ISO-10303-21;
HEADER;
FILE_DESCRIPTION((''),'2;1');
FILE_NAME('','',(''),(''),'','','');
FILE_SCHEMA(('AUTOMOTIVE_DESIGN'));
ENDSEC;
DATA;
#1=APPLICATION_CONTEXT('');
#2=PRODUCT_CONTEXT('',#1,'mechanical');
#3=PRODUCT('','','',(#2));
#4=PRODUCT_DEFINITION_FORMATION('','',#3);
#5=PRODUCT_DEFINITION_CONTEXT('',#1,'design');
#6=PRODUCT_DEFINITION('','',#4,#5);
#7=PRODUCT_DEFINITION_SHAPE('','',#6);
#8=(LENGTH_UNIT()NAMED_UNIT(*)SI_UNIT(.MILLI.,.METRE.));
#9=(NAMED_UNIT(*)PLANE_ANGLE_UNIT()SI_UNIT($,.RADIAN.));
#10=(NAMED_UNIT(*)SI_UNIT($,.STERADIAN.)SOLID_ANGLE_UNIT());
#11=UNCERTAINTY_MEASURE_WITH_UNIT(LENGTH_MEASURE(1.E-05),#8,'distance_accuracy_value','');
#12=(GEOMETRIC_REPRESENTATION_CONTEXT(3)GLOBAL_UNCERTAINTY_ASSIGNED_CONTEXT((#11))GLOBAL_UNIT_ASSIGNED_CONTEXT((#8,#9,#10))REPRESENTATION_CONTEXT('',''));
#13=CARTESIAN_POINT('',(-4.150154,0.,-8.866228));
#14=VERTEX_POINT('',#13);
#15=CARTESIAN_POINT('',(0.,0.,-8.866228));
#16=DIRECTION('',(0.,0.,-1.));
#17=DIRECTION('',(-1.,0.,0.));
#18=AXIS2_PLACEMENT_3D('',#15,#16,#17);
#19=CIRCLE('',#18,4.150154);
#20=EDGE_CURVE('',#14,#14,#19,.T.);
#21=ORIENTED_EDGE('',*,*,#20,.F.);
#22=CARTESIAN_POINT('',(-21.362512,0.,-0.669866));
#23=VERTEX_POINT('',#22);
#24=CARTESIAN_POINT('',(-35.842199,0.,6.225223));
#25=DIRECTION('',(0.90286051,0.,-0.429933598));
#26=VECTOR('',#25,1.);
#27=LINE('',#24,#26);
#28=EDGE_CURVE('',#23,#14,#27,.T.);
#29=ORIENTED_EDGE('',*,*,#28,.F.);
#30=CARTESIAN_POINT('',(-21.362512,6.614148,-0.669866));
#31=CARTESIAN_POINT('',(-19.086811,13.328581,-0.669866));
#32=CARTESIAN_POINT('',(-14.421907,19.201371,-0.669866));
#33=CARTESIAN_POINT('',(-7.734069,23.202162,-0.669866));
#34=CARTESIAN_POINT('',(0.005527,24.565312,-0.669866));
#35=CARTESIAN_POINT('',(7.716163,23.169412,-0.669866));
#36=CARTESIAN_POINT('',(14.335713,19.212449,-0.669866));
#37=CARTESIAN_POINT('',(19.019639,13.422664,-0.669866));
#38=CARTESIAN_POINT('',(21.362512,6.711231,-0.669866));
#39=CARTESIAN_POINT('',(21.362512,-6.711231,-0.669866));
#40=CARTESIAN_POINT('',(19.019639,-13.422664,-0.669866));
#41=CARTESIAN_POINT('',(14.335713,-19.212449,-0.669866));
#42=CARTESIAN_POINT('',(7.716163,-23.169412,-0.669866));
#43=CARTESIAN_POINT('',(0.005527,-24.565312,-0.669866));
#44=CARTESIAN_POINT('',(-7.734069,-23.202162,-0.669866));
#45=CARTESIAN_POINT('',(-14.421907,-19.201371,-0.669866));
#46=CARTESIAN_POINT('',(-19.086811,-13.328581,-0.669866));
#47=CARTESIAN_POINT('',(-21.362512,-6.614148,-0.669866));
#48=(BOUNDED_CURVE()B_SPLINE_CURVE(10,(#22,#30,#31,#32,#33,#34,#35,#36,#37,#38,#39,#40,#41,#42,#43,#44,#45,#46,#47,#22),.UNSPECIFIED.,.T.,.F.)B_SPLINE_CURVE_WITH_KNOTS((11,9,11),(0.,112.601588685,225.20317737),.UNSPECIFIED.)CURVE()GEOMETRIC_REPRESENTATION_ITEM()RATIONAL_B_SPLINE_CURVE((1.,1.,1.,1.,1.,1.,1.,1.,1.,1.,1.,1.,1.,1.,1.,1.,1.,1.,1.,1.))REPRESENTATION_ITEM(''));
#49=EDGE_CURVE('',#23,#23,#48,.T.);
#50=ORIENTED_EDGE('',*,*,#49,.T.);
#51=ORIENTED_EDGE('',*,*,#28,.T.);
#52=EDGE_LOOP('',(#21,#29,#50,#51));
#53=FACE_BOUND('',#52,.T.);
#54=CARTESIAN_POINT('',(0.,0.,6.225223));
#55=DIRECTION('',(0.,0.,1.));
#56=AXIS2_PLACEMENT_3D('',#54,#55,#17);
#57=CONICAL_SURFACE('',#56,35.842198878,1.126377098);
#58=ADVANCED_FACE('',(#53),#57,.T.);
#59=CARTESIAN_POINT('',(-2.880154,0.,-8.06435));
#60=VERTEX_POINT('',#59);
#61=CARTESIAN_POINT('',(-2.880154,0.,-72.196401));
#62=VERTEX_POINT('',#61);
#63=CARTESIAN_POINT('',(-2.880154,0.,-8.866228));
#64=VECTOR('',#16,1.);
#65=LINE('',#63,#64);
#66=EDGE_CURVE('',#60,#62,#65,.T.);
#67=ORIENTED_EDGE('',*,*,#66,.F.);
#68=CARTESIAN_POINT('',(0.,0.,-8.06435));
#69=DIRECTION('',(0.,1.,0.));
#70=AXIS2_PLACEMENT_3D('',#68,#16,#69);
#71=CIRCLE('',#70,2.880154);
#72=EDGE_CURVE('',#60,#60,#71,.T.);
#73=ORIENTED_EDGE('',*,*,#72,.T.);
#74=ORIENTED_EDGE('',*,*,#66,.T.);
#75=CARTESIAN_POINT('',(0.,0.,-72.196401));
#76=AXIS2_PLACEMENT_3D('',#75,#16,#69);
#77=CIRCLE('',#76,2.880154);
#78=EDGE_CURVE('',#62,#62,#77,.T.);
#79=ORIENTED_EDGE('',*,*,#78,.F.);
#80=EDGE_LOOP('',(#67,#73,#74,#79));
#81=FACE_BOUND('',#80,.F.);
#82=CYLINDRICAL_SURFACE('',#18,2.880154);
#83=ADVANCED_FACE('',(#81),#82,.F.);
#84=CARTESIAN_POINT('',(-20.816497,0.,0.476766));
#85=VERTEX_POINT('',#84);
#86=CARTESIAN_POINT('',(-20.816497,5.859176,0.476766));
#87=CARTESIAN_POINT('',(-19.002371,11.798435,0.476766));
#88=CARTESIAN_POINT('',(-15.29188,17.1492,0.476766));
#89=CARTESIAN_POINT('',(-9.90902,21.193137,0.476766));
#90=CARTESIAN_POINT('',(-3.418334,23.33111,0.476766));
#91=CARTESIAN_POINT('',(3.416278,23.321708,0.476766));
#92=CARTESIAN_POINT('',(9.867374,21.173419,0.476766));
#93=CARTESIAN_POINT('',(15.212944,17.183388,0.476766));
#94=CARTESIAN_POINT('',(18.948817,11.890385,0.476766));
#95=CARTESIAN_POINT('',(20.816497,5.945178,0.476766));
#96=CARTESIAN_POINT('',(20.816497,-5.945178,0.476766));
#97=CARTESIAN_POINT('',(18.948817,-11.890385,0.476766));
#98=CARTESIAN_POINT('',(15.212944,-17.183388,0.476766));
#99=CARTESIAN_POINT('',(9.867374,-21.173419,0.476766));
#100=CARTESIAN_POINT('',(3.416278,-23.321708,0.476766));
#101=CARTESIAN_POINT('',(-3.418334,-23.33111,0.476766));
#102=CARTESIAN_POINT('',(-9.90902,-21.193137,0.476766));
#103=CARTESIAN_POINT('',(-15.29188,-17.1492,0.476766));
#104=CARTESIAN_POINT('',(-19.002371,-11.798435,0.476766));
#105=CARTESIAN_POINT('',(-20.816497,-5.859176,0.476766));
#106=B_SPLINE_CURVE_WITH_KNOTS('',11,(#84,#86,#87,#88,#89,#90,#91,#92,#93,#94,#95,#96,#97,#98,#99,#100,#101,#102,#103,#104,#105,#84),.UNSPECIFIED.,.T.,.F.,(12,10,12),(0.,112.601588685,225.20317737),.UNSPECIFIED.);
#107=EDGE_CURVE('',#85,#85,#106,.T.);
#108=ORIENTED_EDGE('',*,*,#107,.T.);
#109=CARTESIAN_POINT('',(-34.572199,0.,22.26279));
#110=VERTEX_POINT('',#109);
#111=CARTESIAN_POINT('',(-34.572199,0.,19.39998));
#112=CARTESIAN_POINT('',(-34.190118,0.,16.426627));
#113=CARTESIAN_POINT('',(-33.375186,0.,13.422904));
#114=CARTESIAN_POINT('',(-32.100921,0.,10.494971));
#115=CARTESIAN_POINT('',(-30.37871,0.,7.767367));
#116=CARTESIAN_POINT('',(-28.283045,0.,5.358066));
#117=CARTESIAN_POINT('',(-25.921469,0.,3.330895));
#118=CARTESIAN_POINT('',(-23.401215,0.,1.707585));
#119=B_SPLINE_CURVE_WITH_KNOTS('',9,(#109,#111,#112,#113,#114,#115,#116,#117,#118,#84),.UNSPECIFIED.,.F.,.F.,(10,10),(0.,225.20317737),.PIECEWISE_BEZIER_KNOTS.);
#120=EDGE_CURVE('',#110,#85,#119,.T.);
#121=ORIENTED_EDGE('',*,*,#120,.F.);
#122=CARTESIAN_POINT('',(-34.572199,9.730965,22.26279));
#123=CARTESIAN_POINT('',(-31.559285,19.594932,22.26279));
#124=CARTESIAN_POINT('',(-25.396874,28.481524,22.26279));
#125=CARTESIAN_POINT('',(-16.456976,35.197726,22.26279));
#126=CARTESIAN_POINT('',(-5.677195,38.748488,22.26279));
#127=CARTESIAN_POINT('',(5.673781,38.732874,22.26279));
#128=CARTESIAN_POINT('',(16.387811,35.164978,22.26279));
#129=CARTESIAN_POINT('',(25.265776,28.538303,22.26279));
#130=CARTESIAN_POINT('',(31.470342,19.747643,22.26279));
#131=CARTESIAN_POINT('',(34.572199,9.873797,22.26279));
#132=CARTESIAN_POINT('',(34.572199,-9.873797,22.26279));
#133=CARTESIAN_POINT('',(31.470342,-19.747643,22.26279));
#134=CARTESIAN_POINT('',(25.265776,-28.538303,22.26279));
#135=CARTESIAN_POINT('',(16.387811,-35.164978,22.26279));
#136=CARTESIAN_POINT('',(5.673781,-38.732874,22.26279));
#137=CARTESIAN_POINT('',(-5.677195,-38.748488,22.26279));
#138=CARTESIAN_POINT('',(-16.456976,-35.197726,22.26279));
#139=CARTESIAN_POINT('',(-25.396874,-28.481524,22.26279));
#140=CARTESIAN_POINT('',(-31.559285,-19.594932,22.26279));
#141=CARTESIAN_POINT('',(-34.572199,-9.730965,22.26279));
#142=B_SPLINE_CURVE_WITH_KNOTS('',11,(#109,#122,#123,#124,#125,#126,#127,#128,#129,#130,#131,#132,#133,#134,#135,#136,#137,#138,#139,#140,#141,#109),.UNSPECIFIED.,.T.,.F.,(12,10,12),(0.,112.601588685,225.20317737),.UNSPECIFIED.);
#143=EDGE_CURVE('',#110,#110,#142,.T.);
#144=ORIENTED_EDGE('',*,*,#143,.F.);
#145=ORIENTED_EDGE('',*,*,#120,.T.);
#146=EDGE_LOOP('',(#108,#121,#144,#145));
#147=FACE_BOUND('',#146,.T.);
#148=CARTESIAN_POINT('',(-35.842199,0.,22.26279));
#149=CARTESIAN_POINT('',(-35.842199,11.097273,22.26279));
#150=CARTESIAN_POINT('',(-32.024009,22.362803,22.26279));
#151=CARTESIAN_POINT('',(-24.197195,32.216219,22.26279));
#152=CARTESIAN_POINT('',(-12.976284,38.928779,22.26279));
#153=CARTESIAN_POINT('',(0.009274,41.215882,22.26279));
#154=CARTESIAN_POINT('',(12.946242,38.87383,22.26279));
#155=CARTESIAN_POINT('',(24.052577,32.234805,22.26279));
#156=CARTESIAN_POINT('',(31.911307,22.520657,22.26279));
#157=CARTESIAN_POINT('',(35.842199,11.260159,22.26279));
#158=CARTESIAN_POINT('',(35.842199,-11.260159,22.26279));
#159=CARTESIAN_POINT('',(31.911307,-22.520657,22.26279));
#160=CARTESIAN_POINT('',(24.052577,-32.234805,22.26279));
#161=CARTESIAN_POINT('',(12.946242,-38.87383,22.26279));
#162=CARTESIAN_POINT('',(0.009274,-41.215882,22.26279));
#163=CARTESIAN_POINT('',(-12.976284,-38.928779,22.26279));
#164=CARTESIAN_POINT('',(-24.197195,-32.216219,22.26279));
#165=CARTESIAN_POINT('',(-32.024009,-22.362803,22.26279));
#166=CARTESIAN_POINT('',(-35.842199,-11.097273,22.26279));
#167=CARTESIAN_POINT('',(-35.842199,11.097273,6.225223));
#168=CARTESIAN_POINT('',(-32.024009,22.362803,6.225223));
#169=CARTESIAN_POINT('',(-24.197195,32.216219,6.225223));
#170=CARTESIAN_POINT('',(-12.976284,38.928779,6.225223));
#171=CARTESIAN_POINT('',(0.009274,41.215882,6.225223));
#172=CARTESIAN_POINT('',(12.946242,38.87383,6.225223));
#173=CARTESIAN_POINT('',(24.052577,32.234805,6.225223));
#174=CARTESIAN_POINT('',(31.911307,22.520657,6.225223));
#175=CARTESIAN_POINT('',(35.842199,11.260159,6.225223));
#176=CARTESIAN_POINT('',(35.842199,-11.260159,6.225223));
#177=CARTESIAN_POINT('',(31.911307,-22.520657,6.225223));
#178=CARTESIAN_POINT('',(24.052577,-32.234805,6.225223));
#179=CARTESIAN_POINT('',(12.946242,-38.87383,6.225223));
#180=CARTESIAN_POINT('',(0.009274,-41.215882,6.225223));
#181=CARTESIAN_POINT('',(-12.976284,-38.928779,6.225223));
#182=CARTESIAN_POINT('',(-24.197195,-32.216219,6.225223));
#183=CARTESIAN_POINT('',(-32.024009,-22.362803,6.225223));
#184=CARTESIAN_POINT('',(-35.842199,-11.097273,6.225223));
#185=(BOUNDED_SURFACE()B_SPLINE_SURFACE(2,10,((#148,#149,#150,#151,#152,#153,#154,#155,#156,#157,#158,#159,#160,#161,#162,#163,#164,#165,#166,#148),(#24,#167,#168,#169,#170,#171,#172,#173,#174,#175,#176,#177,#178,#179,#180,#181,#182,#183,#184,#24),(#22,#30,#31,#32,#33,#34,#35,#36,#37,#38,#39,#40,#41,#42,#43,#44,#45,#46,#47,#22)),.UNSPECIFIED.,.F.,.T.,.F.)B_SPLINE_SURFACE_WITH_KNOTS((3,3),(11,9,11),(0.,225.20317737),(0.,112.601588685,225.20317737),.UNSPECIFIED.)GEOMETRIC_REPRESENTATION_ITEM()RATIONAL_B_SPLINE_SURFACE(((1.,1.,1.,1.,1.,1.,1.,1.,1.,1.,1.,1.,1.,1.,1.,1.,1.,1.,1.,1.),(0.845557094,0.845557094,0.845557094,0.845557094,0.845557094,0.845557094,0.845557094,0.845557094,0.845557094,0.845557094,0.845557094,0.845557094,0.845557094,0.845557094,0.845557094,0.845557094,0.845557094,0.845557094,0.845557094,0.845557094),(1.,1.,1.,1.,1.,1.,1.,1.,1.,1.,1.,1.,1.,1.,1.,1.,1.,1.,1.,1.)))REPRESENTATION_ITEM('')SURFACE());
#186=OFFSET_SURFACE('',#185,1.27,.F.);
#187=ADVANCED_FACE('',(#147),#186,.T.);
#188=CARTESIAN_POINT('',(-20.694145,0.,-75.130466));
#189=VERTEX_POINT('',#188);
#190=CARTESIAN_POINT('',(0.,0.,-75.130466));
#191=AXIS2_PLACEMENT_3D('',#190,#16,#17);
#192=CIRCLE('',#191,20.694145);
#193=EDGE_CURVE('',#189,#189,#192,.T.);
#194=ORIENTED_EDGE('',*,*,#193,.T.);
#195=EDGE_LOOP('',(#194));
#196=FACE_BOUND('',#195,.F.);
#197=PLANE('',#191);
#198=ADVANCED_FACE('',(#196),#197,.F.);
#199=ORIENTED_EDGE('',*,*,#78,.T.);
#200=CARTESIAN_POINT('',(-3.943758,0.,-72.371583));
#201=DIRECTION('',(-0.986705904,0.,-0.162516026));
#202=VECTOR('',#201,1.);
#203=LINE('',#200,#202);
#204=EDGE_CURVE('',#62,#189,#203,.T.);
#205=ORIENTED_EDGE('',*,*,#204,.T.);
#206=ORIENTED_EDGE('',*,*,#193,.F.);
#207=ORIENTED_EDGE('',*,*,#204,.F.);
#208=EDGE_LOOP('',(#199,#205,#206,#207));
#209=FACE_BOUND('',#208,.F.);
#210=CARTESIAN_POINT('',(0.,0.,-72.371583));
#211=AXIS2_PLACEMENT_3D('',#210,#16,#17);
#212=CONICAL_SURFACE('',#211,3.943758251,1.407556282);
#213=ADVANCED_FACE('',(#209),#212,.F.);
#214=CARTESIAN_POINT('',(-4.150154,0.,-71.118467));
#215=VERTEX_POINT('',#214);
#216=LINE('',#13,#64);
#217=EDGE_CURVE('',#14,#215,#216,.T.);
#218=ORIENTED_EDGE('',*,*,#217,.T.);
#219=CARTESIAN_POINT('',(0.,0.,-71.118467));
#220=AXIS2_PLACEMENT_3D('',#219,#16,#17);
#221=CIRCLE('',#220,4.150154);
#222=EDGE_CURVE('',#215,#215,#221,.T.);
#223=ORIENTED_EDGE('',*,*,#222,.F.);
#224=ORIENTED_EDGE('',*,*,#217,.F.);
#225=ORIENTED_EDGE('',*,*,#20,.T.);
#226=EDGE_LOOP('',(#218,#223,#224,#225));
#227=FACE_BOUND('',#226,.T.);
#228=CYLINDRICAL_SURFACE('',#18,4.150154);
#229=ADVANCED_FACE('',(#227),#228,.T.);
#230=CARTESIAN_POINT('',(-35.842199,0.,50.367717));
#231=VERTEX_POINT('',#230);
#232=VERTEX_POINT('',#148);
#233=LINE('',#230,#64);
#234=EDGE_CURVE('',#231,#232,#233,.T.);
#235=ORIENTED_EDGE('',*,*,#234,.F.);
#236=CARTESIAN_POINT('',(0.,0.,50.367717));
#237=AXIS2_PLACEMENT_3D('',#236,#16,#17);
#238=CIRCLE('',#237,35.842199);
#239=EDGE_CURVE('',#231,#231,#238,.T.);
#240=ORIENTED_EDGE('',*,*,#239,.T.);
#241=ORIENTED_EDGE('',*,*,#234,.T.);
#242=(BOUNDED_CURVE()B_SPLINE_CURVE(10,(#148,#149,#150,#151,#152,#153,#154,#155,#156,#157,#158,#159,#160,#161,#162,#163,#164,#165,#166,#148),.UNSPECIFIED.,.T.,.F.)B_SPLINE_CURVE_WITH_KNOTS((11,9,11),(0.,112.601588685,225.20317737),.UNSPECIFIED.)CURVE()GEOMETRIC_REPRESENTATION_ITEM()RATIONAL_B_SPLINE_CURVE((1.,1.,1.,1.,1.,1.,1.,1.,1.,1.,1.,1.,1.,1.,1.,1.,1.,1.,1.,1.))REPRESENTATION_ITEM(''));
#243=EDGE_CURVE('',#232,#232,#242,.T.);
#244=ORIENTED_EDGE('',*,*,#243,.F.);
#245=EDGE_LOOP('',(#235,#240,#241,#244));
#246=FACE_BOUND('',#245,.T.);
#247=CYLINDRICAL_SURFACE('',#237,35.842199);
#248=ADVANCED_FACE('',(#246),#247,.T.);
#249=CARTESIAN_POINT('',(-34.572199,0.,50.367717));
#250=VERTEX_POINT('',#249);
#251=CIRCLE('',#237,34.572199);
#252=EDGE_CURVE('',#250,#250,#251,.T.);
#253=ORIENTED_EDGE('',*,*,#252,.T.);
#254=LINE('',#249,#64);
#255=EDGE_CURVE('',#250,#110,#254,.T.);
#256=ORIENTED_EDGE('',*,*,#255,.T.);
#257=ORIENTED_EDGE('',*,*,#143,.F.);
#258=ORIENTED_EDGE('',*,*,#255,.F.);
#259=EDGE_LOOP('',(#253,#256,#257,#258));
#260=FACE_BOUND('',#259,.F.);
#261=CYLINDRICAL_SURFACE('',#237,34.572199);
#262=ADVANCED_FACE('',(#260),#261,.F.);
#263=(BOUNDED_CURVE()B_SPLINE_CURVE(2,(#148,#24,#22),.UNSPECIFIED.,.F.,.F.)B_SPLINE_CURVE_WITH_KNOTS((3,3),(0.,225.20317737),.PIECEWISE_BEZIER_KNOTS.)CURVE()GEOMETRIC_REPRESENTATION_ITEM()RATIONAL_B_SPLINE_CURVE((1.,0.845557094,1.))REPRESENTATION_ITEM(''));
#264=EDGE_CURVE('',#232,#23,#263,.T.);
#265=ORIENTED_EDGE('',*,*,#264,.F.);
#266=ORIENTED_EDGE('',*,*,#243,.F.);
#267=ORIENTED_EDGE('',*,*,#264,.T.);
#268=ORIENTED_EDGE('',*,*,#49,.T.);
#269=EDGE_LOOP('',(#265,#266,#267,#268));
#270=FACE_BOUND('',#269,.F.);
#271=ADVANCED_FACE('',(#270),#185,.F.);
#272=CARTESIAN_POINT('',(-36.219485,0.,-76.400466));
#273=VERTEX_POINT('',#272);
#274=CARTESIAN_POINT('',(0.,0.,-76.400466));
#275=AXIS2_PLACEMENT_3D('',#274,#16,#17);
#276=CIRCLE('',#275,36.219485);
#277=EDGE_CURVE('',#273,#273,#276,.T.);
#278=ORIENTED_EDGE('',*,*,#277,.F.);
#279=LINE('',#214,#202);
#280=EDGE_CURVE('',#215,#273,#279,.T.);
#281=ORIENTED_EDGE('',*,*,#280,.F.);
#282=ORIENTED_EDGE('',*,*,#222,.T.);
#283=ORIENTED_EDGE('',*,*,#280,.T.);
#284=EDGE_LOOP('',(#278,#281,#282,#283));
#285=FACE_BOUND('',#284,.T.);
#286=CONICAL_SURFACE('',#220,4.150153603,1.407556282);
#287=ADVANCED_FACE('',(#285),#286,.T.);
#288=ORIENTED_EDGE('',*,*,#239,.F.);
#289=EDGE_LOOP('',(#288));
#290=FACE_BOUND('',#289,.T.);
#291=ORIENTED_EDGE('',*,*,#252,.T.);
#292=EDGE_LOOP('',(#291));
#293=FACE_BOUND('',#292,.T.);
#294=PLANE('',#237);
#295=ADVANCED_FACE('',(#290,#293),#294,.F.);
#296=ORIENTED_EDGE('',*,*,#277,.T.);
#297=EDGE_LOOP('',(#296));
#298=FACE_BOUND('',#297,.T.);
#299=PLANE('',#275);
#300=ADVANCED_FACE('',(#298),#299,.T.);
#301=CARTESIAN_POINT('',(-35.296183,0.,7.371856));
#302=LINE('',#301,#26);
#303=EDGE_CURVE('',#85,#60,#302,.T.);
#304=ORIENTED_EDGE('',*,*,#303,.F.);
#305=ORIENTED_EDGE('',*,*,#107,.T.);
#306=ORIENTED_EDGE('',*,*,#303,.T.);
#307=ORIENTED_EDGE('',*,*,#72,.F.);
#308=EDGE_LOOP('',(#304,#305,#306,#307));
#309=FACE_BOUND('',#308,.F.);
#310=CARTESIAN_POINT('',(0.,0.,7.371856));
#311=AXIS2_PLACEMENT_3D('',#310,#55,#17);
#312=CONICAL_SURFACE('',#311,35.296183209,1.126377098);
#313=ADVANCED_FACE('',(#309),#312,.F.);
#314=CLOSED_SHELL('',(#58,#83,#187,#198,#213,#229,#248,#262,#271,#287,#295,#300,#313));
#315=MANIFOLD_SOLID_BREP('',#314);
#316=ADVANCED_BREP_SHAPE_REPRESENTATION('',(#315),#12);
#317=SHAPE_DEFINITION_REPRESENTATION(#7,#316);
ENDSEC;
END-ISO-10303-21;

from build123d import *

# Parameters (mm, degrees)
F2_R = 25.4
F3_T = -1.27


with BuildPart() as f1:
    # F0 (on Front) → F1 (revolve)
    with BuildSketch(Plane.XZ):
        Polygon((-36.2194851041, -76.4004662633), (0, -76.4004662633), (0, 50.3677166998), (-35.8421988785, 50.3677166998), (-35.8421988785, 6.2252227217), (-4.1501536034, -8.8662281632), (-4.1501536034, -71.1184665561), align=None)
    revolve(axis=Axis((0, 0, -13.0163747817), (0, 0, -1)))

    # F2
    f2_edges = [f1.edges().sort_by_distance(p)[0] for p in [
        (35.842199, 0, 6.225223),
    ]]
    fillet(f2_edges, radius=F2_R)

    # F3
    f3_openings = [f1.faces().sort_by_distance(p)[0] for p in [
        (0, 0, 50.367717),
    ]]
    offset(amount=F3_T, openings=f3_openings, kind=Kind.INTERSECTION)


solid = f1.part
